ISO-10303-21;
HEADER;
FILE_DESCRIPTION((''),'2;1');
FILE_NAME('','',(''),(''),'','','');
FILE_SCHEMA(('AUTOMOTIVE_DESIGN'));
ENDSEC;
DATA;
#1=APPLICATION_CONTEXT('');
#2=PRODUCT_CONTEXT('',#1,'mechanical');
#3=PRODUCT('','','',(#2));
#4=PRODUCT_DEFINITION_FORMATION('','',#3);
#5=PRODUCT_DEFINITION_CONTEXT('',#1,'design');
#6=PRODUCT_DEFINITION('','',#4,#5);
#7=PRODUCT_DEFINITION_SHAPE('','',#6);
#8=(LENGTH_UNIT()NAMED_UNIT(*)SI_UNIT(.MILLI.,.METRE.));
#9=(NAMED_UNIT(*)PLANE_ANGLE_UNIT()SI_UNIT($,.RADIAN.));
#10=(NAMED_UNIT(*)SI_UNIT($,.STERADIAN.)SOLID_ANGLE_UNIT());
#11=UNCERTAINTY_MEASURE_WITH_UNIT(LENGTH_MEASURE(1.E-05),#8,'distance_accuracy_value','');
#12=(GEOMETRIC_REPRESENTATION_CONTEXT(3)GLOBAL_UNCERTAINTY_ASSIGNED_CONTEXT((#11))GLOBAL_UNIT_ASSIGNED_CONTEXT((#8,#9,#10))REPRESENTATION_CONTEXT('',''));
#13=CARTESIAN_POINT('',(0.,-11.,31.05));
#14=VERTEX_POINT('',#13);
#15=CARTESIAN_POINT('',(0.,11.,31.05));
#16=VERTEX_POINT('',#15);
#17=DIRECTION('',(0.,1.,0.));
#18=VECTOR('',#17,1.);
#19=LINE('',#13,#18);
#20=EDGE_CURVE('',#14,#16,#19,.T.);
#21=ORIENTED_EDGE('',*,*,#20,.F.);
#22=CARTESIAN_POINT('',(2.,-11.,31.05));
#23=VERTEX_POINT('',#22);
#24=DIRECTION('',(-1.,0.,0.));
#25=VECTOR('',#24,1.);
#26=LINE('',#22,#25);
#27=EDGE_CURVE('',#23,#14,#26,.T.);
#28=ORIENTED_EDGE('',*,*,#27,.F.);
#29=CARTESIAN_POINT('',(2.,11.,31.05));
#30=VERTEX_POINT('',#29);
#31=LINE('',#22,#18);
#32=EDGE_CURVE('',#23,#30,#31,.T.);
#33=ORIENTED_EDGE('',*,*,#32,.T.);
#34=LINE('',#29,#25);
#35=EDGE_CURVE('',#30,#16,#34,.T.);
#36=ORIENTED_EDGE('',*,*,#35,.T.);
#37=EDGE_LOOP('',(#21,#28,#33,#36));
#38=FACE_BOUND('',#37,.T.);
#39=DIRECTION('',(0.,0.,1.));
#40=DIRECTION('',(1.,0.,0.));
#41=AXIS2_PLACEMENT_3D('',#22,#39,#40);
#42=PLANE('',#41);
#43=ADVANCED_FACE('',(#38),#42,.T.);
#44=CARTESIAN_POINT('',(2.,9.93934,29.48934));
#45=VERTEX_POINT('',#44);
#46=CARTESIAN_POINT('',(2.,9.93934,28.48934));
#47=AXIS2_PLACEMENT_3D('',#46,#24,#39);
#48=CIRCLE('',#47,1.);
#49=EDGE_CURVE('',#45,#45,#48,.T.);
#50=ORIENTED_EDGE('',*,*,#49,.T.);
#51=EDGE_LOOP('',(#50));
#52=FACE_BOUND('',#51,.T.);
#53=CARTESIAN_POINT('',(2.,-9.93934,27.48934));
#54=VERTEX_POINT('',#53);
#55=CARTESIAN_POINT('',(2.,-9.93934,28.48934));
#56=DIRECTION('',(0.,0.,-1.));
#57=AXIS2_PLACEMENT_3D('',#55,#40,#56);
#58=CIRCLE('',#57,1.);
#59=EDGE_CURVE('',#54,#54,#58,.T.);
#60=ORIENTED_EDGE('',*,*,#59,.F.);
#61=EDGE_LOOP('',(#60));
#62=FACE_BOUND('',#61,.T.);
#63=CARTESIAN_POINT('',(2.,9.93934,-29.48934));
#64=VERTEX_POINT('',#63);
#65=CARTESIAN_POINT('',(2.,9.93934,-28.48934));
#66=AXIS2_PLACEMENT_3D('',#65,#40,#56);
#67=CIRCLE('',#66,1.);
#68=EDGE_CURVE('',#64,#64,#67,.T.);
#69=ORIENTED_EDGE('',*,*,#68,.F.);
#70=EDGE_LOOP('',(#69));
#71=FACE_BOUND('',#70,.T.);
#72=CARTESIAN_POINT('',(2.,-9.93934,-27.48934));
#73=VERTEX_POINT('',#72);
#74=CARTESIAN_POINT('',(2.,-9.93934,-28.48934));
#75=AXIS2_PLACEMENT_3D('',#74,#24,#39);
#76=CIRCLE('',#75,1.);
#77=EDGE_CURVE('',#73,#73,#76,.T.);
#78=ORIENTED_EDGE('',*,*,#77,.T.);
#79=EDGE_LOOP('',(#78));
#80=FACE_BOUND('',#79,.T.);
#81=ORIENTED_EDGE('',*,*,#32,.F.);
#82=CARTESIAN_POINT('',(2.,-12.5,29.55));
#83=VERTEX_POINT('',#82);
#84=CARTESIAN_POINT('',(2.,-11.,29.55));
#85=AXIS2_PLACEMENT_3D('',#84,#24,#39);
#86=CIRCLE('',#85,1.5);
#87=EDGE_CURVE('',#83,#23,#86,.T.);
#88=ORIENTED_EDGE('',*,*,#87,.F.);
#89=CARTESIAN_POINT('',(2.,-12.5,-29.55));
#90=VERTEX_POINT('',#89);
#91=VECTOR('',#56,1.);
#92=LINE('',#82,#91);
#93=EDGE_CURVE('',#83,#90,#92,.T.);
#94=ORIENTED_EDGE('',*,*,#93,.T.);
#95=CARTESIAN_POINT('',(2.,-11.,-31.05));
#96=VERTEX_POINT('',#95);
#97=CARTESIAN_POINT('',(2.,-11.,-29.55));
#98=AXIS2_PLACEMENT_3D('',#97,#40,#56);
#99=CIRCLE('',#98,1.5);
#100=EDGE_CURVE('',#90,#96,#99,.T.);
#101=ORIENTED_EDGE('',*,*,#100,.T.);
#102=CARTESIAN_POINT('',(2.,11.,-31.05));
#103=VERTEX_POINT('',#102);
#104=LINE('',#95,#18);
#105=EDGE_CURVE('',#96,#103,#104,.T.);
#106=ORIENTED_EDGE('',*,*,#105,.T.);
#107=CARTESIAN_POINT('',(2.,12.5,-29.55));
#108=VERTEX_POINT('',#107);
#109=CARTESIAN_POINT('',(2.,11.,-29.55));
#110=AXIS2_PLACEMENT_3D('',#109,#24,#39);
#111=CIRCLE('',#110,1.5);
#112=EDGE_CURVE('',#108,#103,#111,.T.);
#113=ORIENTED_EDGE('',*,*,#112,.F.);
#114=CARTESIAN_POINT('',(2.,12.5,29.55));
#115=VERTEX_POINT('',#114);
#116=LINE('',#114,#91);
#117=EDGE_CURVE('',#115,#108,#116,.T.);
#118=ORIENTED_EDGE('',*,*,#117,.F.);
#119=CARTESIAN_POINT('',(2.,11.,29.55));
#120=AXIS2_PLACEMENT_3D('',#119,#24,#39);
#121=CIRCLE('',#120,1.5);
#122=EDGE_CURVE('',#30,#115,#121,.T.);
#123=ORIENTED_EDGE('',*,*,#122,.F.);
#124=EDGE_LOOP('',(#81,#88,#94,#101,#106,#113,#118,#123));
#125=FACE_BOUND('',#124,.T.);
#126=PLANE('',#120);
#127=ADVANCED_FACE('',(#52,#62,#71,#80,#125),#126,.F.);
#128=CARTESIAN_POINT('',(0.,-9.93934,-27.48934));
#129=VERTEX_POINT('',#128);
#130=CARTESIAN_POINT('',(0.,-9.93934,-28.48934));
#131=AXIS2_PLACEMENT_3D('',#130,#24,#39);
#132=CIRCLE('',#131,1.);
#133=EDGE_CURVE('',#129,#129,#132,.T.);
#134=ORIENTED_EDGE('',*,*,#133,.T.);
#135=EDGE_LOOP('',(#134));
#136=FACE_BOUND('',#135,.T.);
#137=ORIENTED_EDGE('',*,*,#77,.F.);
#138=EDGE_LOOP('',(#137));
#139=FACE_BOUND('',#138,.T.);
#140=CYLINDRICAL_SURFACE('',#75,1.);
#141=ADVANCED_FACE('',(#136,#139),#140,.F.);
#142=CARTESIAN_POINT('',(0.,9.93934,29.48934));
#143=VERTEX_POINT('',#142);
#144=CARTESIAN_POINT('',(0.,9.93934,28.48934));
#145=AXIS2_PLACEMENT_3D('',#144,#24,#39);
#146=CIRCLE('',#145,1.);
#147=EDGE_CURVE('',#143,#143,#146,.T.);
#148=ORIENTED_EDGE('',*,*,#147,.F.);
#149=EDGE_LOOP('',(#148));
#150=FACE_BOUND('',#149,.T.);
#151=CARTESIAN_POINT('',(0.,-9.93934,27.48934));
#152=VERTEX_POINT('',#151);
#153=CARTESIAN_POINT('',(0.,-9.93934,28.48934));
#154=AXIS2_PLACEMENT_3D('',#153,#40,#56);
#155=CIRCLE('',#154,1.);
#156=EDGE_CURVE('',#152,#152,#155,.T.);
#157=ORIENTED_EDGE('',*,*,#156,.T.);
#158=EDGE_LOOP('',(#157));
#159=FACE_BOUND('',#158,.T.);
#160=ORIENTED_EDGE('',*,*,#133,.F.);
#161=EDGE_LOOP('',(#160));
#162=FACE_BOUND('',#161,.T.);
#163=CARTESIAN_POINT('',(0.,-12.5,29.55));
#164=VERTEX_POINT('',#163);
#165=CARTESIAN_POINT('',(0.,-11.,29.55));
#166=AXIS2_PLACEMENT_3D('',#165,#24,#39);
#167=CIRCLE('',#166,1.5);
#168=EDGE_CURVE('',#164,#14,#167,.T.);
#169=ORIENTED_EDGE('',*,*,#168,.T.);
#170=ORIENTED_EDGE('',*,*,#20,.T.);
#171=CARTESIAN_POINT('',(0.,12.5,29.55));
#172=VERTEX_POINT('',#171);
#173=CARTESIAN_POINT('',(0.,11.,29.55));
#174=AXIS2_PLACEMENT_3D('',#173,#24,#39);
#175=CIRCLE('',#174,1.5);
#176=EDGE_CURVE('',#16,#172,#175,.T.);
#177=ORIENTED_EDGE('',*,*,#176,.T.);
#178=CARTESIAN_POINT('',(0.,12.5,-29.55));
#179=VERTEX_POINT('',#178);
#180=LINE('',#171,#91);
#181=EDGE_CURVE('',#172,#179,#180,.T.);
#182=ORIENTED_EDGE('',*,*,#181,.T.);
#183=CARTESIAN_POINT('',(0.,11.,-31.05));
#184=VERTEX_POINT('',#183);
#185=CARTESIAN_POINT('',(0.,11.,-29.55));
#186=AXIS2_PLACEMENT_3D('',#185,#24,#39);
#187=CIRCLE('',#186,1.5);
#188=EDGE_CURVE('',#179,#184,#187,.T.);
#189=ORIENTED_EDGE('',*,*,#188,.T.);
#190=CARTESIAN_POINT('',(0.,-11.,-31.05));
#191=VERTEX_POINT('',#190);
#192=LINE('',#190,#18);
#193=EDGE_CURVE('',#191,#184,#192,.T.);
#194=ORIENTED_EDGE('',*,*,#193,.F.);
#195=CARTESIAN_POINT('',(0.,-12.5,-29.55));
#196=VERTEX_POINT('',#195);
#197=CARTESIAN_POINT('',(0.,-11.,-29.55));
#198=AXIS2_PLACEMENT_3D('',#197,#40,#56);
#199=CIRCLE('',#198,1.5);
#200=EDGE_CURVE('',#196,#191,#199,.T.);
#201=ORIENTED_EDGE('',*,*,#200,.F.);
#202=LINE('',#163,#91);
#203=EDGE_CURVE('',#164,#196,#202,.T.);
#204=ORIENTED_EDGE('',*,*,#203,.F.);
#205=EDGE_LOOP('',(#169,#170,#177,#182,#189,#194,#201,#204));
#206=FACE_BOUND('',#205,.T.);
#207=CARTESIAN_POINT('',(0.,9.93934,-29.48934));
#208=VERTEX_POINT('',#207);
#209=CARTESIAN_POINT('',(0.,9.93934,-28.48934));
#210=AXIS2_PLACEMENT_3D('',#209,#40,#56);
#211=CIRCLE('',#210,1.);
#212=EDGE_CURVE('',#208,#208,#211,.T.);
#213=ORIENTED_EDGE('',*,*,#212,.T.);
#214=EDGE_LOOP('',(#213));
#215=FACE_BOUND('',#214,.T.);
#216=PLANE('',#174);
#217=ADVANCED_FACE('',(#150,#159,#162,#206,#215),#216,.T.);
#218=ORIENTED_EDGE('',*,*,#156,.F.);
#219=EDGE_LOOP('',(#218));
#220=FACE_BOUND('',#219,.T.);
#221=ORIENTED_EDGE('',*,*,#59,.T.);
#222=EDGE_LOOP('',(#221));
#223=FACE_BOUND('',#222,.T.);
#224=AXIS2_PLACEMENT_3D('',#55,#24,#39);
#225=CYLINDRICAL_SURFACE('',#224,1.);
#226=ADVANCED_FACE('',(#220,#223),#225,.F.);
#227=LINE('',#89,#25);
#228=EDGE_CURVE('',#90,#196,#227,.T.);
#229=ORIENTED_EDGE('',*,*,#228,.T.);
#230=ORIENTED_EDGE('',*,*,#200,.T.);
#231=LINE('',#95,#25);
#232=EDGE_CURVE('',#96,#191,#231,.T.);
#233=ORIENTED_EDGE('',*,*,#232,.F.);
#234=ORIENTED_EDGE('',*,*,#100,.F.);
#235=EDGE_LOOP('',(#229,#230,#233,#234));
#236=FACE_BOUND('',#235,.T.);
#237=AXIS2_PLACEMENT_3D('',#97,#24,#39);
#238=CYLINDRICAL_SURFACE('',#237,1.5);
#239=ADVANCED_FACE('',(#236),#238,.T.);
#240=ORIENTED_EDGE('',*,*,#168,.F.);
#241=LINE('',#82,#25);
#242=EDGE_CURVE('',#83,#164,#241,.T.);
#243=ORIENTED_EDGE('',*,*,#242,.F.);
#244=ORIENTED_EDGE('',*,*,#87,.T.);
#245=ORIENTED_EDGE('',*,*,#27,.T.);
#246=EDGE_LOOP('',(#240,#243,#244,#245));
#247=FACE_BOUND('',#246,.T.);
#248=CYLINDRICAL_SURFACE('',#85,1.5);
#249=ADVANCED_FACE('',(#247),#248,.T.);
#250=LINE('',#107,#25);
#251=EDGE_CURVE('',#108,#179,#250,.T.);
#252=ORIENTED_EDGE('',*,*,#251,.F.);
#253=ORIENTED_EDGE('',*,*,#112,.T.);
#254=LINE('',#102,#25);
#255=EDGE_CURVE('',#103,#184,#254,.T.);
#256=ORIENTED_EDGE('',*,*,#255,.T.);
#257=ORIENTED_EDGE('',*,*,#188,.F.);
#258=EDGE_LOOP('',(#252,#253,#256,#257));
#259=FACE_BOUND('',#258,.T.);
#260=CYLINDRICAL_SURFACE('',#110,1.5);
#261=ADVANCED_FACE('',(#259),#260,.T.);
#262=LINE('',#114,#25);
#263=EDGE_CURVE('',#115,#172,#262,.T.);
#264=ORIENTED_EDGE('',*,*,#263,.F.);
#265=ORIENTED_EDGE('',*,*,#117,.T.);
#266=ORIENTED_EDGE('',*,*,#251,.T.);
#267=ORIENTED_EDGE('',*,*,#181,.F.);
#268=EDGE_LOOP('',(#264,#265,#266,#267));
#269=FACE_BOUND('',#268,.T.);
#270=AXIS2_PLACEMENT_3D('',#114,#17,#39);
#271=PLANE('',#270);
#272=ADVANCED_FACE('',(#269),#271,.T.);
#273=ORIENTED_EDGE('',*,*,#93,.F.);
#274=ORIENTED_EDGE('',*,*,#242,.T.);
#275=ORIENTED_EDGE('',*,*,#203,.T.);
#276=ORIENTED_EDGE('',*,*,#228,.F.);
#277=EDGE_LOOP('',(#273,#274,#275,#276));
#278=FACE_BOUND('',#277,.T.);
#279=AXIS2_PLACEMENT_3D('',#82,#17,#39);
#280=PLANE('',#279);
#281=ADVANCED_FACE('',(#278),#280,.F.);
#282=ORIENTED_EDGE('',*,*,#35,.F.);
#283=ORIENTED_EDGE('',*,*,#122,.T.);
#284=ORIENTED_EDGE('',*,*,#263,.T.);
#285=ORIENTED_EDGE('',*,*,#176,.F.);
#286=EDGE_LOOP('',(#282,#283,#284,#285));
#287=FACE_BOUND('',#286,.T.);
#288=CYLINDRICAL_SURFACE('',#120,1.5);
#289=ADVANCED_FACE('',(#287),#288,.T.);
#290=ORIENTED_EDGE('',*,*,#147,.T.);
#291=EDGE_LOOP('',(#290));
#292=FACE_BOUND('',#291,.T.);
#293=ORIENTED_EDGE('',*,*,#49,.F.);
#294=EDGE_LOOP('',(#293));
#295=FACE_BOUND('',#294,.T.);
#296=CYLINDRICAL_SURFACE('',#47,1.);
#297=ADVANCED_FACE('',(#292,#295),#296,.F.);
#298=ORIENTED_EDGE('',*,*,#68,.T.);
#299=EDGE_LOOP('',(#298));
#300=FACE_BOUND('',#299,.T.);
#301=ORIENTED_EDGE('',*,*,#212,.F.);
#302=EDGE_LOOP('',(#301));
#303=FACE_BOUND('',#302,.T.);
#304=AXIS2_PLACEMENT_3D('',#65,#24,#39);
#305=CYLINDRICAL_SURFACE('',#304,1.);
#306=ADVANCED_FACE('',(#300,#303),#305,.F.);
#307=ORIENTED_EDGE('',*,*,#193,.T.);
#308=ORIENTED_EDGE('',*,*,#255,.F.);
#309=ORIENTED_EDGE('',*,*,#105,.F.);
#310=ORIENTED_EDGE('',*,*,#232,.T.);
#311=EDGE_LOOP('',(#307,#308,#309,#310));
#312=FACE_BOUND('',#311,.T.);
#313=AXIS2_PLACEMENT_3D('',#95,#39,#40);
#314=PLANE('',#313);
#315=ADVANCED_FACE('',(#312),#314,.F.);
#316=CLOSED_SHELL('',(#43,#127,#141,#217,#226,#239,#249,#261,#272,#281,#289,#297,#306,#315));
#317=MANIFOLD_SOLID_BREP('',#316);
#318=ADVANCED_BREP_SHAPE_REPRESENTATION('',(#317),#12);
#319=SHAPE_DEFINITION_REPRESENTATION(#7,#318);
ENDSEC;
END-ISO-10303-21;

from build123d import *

# Parameters (mm, degrees)
SKETCH1_R           = 1
BOSS_EXTRUDE1_DEPTH = 2


with BuildPart() as part:
    # Sketch1 → Boss-Extrude1 (new body)
    with BuildSketch(Plane(origin=(0, 0, 0), x_dir=(0, 0, -1), z_dir=(1, 0, 0))):
        with BuildLine():
            Line((-29.55, -12.5), (29.55, -12.5))
            ThreePointArc((29.55, -12.5), (30.610660172, -12.060660172), (31.05, -11))
            Line((31.05, -11), (31.05, 11))
            ThreePointArc((31.05, 11), (30.610660172, 12.060660172), (29.55, 12.5))
            Line((29.55, 12.5), (-29.55, 12.5))
            ThreePointArc((-29.55, 12.5), (-30.610660172, 12.060660172), (-31.05, 11))
            Line((-31.05, 11), (-31.05, -11))
            ThreePointArc((-31.05, -11), (-30.610660172, -12.060660172), (-29.55, -12.5))
        make_face()
        with Locations((28.489339828, 9.939339828)):
            Circle(SKETCH1_R, mode=Mode.SUBTRACT)
        with Locations((-28.489339828, 9.939339828)):
            Circle(SKETCH1_R, mode=Mode.SUBTRACT)
        with Locations((28.489339828, -9.939339828)):
            Circle(SKETCH1_R, mode=Mode.SUBTRACT)
        with Locations((-28.489339828, -9.939339828)):
            Circle(SKETCH1_R, mode=Mode.SUBTRACT)
    extrude(amount=BOSS_EXTRUDE1_DEPTH)


solid = part.part
